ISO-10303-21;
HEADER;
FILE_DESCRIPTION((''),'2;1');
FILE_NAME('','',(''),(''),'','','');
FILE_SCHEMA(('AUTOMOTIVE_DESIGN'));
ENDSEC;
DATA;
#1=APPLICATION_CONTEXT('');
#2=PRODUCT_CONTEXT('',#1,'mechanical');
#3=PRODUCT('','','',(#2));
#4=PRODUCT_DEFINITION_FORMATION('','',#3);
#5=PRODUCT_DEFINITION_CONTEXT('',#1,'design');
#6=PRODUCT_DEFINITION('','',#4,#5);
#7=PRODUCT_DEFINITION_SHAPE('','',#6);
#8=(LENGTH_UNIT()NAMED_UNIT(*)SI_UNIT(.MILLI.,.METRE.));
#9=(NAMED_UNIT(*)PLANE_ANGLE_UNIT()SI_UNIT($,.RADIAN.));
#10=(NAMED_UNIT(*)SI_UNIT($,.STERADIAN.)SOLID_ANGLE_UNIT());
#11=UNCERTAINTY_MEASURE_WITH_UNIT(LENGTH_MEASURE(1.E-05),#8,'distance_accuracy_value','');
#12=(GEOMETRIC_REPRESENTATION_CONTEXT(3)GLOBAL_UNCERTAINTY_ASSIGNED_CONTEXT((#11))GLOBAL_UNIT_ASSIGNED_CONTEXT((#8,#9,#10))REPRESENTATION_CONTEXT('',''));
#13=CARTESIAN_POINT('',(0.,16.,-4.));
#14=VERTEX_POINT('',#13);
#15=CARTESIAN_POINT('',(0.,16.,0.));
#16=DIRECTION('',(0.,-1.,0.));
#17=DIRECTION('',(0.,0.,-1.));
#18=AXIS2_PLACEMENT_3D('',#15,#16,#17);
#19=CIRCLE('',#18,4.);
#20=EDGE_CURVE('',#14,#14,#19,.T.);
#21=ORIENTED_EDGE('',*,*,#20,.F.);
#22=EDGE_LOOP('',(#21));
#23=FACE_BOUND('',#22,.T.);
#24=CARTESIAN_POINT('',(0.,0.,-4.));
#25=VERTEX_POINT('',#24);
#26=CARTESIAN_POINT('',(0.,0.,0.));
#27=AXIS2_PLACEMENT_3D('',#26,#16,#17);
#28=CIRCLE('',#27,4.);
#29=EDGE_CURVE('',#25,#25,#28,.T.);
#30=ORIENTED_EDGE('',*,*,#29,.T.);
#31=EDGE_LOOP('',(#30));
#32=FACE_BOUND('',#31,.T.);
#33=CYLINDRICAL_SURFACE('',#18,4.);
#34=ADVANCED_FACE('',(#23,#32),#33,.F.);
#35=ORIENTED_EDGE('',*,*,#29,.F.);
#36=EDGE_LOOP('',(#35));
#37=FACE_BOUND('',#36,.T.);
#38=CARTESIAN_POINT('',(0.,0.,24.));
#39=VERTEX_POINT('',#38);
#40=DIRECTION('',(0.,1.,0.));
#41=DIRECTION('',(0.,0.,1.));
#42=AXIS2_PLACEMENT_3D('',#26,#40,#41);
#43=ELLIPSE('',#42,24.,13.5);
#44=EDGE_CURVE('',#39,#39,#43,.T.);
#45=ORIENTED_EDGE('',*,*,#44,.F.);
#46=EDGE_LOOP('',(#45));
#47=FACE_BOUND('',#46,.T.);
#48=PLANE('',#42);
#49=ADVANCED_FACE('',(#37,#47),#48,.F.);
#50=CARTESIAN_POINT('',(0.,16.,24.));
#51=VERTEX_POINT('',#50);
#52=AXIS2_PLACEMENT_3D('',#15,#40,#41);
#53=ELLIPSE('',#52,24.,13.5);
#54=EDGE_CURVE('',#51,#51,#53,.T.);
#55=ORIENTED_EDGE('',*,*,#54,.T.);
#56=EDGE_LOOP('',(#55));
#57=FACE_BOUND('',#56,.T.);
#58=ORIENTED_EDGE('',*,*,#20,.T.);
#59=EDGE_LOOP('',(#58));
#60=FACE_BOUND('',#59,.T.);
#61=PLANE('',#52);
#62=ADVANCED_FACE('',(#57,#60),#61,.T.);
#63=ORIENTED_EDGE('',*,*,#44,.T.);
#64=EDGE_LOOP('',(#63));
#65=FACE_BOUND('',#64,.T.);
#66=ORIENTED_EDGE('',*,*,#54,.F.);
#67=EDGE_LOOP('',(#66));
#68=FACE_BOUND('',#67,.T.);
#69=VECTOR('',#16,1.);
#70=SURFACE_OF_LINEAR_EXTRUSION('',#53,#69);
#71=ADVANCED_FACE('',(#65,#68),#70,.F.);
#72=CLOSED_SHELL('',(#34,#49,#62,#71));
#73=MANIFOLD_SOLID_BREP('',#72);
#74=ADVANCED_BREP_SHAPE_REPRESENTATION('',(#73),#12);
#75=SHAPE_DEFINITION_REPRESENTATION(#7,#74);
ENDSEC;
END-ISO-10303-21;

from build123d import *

# Parameters (mm, degrees)
SKETCH_1_RX         = 24
SKETCH_1_RY         = 13.5
EXTRUDE_1_DEPTH     = 16
SKETCH_2_R          = 4
CUT_EXTRUDE_1_DEPTH = 32.847291879


with BuildPart() as part:
    # 草图1 → 凸台-拉伸1 (new body)
    with BuildSketch(Plane(origin=(0, 0, 0), x_dir=(1, 0, 0), z_dir=(0, 1, 0))):
        with Locations(Location((0, 0), (0, 0, -90))):
            Ellipse(SKETCH_1_RX, SKETCH_1_RY)
    extrude(amount=EXTRUDE_1_DEPTH)

    # 草图2 → 切除-拉伸1 (cut, through all)
    with BuildSketch(Plane.XZ):
        with Locations(Location((0, 0, 0), (0, 0, 270))):
            Circle(SKETCH_2_R)
    extrude(amount=-CUT_EXTRUDE_1_DEPTH, mode=Mode.SUBTRACT)


solid = part.part
